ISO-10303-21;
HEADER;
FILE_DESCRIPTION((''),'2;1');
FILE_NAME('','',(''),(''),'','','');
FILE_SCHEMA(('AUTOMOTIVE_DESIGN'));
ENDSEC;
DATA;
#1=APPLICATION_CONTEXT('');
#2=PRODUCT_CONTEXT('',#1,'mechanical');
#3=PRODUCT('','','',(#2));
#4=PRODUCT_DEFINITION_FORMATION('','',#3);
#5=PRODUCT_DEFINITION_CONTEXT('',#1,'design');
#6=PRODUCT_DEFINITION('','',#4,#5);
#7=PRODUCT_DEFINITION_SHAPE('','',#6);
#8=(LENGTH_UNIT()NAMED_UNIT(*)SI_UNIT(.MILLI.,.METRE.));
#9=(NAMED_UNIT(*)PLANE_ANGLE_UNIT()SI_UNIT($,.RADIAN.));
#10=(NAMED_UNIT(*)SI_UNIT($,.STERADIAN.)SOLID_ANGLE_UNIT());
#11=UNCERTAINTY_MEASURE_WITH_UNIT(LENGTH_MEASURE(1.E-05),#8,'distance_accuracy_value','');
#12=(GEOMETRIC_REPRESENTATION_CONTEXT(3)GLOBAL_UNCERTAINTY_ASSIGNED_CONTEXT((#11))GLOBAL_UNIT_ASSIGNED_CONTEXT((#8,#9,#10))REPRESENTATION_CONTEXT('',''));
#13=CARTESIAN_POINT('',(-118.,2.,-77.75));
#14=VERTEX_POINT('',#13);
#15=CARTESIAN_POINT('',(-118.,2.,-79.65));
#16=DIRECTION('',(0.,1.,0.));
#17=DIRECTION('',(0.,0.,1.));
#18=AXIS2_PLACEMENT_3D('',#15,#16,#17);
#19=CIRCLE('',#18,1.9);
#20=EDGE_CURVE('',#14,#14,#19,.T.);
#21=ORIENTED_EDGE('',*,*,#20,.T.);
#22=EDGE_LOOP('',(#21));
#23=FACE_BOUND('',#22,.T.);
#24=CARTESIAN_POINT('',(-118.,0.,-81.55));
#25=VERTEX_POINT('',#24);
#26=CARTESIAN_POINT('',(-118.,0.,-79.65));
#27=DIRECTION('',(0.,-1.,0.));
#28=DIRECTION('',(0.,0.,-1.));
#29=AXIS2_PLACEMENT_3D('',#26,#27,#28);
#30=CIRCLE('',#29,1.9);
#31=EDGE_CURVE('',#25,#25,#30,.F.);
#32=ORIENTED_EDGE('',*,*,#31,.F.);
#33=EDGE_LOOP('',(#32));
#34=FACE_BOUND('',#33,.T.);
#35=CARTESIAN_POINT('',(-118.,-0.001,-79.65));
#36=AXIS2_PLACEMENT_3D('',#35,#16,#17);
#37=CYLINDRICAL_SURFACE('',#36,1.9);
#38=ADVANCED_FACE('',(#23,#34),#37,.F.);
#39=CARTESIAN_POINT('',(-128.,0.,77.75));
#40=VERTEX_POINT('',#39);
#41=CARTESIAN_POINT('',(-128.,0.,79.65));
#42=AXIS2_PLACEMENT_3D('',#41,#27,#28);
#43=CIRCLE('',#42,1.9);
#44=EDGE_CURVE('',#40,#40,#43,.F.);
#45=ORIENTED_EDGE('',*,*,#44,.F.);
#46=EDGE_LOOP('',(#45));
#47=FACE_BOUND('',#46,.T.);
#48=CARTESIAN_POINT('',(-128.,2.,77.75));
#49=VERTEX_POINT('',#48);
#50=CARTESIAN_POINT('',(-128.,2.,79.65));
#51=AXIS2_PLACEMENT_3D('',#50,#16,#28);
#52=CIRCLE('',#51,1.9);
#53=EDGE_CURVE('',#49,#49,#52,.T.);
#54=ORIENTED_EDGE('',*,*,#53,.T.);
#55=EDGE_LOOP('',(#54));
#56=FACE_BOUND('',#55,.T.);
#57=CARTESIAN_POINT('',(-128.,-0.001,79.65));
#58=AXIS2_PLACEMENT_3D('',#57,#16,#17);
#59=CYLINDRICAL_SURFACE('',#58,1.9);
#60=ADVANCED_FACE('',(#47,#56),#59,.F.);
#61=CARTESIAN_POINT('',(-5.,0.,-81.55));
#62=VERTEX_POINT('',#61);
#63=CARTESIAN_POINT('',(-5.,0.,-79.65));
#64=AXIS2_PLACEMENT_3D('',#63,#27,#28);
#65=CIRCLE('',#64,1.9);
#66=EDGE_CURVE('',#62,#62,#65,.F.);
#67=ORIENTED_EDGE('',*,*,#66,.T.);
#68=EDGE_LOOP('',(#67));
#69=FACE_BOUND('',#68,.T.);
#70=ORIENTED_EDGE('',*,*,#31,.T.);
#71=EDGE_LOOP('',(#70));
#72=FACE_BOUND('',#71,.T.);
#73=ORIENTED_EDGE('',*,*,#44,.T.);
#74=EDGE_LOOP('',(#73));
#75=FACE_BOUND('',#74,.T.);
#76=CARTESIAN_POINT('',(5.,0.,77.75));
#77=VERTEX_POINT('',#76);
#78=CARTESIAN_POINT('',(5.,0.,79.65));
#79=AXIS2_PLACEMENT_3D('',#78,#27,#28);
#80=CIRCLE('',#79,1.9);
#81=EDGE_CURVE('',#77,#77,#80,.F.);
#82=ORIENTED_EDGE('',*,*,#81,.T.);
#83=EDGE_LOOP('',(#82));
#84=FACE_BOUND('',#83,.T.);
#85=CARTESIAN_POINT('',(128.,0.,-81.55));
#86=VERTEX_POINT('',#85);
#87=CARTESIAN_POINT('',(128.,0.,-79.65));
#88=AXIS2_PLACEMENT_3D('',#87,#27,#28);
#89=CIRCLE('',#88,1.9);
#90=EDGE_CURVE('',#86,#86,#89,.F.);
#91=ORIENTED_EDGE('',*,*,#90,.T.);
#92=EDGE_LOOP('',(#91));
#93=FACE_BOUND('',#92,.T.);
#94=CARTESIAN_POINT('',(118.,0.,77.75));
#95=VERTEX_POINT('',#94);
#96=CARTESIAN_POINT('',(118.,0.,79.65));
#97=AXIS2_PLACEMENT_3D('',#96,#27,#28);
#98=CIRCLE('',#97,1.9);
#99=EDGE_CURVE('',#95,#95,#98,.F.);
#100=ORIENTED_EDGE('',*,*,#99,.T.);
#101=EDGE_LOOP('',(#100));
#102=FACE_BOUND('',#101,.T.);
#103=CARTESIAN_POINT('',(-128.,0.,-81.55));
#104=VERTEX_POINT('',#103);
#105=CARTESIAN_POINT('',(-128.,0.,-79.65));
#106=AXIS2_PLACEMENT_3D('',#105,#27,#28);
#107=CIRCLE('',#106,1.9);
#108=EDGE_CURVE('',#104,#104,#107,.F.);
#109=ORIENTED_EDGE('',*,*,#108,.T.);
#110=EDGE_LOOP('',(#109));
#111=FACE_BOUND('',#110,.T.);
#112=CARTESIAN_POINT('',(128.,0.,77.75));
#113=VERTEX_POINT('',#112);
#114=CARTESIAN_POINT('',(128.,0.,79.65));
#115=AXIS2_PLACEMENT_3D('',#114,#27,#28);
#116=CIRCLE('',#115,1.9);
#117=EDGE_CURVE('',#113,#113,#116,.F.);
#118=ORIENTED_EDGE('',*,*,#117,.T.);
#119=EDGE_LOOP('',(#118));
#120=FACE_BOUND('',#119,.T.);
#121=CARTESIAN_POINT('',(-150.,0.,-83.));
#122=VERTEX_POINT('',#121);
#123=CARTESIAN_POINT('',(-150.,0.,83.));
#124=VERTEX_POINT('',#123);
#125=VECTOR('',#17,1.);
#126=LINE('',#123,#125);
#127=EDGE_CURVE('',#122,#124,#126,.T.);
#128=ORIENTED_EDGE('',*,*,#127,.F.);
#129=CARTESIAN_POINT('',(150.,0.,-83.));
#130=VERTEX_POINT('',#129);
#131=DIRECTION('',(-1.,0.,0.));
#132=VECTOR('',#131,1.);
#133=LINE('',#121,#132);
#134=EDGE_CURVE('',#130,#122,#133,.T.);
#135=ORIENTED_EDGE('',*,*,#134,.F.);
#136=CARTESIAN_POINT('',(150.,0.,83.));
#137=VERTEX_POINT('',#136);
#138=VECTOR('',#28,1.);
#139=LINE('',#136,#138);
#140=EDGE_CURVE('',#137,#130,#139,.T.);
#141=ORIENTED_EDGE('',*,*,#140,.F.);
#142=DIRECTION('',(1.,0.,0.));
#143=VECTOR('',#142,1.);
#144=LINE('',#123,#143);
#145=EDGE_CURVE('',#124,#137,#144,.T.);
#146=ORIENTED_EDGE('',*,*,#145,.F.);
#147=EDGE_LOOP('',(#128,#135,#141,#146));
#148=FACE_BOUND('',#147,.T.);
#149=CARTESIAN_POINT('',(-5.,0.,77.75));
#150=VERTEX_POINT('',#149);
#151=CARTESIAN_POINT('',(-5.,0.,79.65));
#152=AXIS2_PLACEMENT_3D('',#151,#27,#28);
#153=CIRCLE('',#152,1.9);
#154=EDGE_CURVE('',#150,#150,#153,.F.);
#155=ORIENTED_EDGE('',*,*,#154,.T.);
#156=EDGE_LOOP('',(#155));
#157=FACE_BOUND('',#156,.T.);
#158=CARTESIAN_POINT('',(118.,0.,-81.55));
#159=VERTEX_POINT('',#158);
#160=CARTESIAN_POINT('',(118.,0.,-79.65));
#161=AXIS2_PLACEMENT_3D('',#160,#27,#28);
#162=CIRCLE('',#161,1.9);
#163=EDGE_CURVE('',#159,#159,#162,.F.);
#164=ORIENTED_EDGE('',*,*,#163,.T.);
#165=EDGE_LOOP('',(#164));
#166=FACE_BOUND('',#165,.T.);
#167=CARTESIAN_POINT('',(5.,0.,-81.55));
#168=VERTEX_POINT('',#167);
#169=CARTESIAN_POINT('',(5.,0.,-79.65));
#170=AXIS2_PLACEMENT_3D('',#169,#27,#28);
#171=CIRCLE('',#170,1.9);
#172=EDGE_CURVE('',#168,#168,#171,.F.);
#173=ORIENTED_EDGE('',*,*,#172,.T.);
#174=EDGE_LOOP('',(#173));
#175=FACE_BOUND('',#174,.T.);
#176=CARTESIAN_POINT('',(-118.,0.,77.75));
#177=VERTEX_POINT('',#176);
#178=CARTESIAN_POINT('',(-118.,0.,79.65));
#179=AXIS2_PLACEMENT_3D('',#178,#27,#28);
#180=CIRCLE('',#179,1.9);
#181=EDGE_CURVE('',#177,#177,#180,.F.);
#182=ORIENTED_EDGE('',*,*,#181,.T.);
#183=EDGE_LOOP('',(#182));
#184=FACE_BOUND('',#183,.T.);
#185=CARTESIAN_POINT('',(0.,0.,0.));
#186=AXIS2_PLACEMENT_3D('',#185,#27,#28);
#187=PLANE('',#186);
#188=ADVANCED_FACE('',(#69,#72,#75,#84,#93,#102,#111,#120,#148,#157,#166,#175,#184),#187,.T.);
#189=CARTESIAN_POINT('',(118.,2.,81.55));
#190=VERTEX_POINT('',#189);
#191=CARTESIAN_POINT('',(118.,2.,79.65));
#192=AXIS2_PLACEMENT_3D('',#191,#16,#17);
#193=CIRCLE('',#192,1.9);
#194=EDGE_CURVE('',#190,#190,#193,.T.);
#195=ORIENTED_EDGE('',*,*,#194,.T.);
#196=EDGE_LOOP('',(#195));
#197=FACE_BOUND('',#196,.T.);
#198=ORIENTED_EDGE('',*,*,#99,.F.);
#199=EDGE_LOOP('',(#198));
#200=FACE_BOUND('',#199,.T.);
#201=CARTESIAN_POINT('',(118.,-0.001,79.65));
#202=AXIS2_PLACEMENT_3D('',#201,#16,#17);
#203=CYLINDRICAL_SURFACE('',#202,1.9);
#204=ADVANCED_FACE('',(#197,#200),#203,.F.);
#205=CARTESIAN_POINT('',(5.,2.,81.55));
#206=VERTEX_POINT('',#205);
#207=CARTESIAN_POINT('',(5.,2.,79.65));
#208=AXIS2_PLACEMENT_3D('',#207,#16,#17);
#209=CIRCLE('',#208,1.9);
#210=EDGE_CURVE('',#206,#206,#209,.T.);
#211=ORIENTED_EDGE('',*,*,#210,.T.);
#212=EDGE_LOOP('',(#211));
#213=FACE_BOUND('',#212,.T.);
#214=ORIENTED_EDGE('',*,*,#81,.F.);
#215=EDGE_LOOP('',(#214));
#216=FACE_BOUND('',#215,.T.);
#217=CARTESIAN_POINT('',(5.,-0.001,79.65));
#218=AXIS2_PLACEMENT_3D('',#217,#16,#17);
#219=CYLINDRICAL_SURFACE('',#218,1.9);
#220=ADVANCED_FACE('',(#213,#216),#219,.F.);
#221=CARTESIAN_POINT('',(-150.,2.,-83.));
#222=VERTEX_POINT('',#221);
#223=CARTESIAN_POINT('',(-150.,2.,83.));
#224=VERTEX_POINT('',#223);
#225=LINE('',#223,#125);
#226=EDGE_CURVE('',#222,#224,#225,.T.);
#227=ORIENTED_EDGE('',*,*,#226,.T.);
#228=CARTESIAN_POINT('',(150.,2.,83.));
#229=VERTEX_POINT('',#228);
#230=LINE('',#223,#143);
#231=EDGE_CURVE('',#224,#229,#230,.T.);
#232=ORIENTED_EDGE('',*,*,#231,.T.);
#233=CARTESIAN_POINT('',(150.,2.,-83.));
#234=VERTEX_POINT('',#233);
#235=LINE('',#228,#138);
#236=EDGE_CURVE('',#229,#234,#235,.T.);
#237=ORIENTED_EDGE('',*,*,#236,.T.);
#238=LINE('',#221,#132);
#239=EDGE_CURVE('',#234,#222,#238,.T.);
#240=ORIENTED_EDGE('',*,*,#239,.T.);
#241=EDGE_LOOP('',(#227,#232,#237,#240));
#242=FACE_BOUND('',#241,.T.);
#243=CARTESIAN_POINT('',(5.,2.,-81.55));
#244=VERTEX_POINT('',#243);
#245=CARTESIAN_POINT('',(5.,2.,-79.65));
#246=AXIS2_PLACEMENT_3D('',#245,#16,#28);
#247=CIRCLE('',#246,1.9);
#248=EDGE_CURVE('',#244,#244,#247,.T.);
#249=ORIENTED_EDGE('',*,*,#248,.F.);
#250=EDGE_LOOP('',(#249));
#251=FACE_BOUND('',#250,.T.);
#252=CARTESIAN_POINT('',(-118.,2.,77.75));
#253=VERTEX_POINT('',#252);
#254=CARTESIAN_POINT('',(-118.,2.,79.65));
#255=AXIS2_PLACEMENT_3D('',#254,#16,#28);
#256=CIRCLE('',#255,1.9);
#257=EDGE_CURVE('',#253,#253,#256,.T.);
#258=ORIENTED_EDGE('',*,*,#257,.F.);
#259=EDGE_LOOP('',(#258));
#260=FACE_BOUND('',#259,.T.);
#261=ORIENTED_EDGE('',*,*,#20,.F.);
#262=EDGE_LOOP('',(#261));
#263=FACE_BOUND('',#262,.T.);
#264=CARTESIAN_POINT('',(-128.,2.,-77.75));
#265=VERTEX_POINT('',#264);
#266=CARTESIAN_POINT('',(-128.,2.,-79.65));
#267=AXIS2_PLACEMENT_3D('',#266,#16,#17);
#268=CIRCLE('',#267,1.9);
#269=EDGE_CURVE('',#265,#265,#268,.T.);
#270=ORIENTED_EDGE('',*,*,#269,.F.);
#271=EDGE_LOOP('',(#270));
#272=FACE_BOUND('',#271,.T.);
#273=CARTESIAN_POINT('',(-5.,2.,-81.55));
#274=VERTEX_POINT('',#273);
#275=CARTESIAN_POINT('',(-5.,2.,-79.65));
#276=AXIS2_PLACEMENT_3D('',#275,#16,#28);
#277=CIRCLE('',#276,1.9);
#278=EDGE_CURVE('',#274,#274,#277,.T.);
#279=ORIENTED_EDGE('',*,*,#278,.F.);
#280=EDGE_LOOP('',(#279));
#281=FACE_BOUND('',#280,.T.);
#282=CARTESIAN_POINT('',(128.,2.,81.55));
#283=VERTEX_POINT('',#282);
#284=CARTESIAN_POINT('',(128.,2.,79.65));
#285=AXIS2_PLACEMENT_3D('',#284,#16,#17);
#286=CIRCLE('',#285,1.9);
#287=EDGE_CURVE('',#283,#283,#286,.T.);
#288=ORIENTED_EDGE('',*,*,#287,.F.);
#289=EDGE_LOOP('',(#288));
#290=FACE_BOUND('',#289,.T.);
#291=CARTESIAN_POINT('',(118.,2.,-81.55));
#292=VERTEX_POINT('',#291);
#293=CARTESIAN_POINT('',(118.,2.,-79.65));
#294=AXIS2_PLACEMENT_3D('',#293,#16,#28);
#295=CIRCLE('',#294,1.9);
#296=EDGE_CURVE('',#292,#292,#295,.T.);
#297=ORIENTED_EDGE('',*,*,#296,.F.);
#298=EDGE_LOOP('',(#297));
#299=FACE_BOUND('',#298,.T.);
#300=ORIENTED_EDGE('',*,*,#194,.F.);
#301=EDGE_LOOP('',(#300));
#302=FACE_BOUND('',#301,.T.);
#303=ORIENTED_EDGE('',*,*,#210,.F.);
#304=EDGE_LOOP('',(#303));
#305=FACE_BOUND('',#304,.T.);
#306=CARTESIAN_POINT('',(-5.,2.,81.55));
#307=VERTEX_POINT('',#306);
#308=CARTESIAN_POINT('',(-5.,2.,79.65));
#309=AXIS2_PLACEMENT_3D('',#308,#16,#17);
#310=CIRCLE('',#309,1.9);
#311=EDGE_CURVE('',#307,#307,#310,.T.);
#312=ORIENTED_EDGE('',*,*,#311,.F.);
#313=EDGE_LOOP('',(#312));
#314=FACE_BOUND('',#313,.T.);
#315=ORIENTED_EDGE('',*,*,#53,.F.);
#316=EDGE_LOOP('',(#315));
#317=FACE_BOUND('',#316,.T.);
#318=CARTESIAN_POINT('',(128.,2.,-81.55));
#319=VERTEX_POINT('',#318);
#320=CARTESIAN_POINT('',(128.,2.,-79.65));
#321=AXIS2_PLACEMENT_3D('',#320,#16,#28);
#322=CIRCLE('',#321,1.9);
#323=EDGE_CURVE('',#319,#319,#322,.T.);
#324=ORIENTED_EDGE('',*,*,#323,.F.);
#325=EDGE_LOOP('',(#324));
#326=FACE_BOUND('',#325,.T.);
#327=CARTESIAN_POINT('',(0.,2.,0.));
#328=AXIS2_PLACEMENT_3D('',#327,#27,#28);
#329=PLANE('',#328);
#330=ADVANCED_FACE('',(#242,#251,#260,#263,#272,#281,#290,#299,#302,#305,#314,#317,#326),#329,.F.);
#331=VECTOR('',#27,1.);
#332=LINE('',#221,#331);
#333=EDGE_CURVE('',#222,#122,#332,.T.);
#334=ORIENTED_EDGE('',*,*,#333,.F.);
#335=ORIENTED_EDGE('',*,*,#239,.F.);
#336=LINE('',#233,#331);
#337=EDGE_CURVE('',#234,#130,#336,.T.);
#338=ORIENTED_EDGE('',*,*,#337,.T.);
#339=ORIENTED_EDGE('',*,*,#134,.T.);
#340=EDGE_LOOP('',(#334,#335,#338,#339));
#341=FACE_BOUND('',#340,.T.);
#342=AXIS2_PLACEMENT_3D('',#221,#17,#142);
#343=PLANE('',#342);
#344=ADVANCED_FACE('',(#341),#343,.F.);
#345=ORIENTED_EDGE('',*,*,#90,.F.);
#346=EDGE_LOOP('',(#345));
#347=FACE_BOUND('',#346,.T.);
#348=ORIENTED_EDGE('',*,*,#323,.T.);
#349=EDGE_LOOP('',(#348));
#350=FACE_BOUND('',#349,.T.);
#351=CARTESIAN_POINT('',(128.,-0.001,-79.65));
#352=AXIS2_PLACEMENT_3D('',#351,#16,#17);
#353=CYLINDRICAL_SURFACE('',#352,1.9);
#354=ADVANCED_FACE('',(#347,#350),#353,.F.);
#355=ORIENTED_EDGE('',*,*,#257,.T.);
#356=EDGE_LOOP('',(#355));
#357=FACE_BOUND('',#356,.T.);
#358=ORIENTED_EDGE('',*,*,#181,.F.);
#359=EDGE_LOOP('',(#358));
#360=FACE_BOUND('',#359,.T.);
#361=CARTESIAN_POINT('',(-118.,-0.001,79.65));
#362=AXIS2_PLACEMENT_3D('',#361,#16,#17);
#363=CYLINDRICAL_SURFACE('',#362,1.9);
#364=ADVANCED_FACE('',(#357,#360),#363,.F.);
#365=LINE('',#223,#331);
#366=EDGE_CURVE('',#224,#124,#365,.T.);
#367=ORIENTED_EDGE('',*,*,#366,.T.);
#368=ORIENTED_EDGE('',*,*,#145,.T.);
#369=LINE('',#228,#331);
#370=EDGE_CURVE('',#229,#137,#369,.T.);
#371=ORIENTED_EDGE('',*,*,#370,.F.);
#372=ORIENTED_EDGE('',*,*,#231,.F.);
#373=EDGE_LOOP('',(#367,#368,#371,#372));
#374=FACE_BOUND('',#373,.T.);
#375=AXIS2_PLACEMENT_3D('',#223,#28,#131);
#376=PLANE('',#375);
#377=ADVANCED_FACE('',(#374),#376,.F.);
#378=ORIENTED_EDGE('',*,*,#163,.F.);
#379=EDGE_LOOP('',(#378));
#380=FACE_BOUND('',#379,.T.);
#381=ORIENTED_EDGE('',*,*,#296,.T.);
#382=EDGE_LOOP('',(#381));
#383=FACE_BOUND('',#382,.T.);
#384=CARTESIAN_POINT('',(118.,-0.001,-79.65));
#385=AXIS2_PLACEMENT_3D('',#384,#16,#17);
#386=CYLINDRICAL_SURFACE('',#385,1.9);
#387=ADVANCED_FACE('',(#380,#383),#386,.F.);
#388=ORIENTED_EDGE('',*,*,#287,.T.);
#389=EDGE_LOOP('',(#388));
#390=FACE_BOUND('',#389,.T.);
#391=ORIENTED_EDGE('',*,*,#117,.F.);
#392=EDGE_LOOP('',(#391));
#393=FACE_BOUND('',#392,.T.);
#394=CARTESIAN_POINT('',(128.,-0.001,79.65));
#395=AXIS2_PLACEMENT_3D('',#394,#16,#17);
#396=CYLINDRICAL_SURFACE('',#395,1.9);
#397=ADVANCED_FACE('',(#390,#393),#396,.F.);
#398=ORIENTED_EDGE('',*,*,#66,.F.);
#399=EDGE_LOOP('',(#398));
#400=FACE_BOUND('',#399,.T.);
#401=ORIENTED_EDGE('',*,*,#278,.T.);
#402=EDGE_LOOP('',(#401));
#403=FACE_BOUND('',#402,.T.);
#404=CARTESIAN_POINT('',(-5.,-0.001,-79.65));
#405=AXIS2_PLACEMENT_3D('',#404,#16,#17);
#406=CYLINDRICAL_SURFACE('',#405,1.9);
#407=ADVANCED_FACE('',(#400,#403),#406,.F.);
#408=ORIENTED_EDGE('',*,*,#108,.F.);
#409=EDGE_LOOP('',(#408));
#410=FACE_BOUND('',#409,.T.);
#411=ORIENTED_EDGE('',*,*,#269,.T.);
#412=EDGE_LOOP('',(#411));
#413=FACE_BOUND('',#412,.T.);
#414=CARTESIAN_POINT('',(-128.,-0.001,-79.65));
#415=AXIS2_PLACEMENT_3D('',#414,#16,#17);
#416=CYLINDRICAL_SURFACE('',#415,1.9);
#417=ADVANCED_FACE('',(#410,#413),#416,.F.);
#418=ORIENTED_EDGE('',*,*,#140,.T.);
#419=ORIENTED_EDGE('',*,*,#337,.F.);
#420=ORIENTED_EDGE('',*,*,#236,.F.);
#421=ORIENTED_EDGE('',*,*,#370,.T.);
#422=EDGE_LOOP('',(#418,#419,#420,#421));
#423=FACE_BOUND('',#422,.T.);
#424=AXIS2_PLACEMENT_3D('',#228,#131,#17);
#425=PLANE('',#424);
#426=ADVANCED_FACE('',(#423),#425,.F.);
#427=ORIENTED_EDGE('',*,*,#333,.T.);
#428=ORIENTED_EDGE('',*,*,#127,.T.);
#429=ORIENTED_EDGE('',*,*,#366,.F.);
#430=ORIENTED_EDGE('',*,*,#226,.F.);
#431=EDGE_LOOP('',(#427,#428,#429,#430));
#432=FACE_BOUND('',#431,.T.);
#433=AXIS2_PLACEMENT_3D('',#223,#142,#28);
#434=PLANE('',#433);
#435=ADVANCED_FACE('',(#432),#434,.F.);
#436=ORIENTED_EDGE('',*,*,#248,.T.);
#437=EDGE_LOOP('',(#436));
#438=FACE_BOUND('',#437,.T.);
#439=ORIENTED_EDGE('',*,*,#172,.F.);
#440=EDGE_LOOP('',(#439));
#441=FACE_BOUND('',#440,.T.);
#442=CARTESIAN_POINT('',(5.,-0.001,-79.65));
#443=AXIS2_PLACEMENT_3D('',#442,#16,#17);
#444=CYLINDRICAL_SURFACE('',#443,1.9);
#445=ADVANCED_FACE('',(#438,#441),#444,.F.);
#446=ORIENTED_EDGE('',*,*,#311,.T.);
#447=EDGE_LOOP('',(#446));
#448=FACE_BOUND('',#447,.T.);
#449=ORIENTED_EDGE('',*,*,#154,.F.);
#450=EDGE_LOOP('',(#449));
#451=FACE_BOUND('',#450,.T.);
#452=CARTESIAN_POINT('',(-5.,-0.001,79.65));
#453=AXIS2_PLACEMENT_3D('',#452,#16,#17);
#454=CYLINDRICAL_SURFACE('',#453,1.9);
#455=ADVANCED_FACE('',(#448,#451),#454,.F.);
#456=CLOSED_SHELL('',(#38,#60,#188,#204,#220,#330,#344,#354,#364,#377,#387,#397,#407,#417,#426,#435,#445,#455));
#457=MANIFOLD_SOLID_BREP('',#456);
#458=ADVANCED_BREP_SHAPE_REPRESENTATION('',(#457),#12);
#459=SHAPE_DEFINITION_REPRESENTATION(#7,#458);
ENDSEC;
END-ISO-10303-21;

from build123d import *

# Parameters (mm, degrees)
SZKIC3_W                    = 300
SZKIC3_H                    = 166
DODANIE_WYCI_GNI_CIE2_DEPTH = 2
SZKIC4_R                    = 1.9
WYTNIJ_WYCI_GNI_CIE1_DEPTH  = 2


with BuildPart() as part:
    # Szkic3 → Dodanie-wyciągnięcie2 (new body)
    with BuildSketch(Plane(origin=(0, 0, 0), x_dir=(1, 0, 0), z_dir=(0, 1, 0))):
        Rectangle(SZKIC3_W, SZKIC3_H)
    extrude(amount=DODANIE_WYCI_GNI_CIE2_DEPTH)

    # Szkic4 → Wytnij-wyciągnięcie1 (cut)
    with BuildSketch(Plane(origin=(0, 2, 0), x_dir=(1, 0, 0), z_dir=(0, 1, 0))):
        with Locations(Location((128, -79.65, 0), (0, 0, 270))):
            Circle(SZKIC4_R)
        with Locations(Location((118, -79.65, 0), (0, 0, 270))):
            Circle(SZKIC4_R)
        with Locations(Location((118, 79.65, 0), (0, 0, 90))):
            Circle(SZKIC4_R)
        with Locations(Location((128, 79.65, 0), (0, 0, 90))):
            Circle(SZKIC4_R)
        with Locations(Location((-118, -79.65, 0), (0, 0, 90))):
            Circle(SZKIC4_R)
        with Locations(Location((-128, -79.65, 0), (0, 0, 90))):
            Circle(SZKIC4_R)
        with Locations(Location((-128, 79.65, 0), (0, 0, 270))):
            Circle(SZKIC4_R)
        with Locations(Location((-118, 79.65, 0), (0, 0, 270))):
            Circle(SZKIC4_R)
        with Locations(Location((5, -79.65, 0), (0, 0, 270))):
            Circle(SZKIC4_R)
        with Locations(Location((-5, -79.65, 0), (0, 0, 270))):
            Circle(SZKIC4_R)
        with Locations(Location((5, 79.65, 0), (0, 0, 90))):
            Circle(SZKIC4_R)
        with Locations(Location((-5, 79.65, 0), (0, 0, 90))):
            Circle(SZKIC4_R)
    extrude(amount=-WYTNIJ_WYCI_GNI_CIE1_DEPTH, mode=Mode.SUBTRACT)


solid = part.part
